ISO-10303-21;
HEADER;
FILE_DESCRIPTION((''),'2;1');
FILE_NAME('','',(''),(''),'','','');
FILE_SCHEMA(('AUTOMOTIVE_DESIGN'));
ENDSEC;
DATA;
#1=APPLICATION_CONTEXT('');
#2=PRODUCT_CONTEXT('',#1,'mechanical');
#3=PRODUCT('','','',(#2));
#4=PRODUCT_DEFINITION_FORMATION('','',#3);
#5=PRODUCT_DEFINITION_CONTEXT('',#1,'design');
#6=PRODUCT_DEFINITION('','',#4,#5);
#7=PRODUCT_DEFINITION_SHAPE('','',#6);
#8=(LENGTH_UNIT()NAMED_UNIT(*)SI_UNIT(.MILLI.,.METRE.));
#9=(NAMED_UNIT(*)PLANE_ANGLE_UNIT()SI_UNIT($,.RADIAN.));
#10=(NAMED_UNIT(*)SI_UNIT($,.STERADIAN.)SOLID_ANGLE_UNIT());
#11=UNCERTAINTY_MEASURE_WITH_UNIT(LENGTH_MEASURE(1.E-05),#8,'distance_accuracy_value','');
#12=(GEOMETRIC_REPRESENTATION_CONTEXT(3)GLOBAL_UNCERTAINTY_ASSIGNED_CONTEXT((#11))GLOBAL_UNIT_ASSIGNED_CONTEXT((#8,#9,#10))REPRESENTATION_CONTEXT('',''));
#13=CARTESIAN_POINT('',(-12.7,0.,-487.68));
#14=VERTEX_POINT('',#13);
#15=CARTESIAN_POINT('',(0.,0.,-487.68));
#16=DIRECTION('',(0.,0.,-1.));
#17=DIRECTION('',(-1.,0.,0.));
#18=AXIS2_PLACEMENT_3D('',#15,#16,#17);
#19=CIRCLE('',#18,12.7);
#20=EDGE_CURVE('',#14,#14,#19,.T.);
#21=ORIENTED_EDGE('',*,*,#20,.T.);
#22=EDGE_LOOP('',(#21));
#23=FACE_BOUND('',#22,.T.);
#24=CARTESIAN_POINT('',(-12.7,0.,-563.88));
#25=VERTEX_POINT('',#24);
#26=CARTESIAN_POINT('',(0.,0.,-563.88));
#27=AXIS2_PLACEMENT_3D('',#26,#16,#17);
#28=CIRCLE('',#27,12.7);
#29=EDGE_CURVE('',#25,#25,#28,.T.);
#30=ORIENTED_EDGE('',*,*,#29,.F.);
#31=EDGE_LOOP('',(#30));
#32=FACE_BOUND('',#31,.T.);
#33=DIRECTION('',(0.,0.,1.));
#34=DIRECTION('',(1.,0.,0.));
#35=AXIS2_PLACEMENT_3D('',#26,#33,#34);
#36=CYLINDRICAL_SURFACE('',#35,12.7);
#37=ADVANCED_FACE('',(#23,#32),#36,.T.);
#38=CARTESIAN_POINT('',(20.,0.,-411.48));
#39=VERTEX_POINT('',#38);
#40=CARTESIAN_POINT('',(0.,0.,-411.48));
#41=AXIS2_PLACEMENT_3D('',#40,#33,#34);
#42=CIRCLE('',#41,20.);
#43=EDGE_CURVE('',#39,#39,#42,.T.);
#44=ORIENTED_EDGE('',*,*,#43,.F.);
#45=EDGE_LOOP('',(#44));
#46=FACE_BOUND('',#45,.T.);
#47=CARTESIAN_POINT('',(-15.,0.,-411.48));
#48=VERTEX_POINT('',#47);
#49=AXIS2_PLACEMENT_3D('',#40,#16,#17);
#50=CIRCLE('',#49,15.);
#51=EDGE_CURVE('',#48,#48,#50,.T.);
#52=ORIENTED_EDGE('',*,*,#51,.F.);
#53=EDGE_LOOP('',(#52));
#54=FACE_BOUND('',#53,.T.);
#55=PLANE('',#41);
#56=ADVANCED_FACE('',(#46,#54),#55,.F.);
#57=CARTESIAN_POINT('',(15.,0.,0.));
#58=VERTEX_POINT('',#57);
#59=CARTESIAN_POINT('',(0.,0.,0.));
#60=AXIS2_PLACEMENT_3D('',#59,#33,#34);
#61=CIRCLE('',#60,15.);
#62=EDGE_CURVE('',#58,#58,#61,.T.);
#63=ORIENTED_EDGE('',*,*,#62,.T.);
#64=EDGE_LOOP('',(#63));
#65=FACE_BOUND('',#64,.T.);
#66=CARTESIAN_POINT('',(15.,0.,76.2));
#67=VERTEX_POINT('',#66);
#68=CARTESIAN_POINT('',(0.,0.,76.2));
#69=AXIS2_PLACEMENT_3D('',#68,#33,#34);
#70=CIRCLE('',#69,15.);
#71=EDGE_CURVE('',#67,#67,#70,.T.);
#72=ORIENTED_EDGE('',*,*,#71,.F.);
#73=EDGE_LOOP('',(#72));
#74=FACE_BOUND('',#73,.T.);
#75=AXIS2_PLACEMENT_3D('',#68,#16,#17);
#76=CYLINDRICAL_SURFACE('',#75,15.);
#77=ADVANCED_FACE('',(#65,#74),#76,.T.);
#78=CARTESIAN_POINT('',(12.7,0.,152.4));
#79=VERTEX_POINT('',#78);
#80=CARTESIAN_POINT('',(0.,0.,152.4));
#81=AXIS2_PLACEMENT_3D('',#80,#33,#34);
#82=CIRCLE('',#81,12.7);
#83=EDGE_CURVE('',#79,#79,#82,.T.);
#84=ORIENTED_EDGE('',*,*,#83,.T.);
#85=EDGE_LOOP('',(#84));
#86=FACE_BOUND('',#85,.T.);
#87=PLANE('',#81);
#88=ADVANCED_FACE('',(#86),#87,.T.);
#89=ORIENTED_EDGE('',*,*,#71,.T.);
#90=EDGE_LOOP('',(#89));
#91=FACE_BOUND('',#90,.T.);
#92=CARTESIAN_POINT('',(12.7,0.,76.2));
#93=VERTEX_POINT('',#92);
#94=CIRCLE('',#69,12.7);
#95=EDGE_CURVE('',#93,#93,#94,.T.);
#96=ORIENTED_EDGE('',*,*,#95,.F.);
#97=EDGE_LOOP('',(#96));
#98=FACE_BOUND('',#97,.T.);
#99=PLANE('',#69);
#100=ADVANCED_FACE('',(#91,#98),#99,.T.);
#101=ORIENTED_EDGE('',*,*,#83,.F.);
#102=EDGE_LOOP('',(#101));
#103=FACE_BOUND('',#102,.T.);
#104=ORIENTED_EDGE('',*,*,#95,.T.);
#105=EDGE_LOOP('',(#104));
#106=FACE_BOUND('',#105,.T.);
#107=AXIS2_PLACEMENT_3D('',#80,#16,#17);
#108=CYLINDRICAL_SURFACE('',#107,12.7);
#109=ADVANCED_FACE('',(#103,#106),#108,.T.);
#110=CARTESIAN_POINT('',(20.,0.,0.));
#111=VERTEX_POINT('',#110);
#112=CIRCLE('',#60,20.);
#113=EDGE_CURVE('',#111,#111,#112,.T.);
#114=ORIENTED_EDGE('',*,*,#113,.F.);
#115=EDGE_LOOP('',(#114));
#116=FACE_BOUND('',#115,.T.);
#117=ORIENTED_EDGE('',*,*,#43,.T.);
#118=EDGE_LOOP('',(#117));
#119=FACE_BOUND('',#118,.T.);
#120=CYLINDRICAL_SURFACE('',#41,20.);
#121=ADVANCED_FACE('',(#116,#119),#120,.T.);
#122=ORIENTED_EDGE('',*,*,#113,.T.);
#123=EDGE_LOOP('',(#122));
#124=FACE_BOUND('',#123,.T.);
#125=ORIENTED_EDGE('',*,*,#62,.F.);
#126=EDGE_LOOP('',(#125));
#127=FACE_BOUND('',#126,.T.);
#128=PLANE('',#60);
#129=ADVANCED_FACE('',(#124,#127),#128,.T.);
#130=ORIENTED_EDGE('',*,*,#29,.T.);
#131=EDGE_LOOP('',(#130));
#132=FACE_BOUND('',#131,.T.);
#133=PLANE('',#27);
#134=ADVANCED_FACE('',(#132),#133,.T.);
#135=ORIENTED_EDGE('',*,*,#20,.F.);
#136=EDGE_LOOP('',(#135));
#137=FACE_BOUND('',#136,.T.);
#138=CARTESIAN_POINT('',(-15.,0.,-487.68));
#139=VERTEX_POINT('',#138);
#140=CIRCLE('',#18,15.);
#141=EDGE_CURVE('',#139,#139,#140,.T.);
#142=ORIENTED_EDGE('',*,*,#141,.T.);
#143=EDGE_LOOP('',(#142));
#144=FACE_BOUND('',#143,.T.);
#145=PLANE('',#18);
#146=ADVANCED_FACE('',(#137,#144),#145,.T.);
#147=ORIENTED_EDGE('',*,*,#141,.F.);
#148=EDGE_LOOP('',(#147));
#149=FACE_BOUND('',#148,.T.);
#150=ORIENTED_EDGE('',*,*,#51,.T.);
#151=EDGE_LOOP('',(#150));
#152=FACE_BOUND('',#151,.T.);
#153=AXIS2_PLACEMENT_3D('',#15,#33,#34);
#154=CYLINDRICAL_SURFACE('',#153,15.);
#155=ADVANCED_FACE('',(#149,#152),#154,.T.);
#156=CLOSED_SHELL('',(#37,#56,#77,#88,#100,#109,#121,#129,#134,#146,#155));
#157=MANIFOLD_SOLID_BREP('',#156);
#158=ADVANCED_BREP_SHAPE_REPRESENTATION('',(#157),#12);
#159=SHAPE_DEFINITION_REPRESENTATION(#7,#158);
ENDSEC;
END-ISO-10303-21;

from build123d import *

# Parameters (mm, degrees)
SKETCH1_R           = 20
BOSS_EXTRUDE1_DEPTH = 411.48
SKETCH2_R           = 15
BOSS_EXTRUDE2_DEPTH = 76.2
SKETCH3_R           = 15
BOSS_EXTRUDE3_DEPTH = 76.2
SKETCH4_R           = 12.7
BOSS_EXTRUDE4_DEPTH = 76.2
SKETCH5_R           = 12.7
BOSS_EXTRUDE5_DEPTH = 76.2


with BuildPart() as part:
    # Sketch1 → Boss-Extrude1 (new body)
    with BuildSketch(Plane.XY):
        Circle(SKETCH1_R)
    extrude(amount=-BOSS_EXTRUDE1_DEPTH)

    # Sketch2 → Boss-Extrude2 (add)
    with BuildSketch(Plane.XY):
        Circle(SKETCH2_R)
    extrude(amount=BOSS_EXTRUDE2_DEPTH)

    # Sketch3 → Boss-Extrude3 (add)
    with BuildSketch(Plane(origin=(0, 0, -411.48), x_dir=(-1, 0, 0), z_dir=(0, 0, -1))):
        Circle(SKETCH3_R)
    extrude(amount=BOSS_EXTRUDE3_DEPTH)

    # Sketch4 → Boss-Extrude4 (add)
    with BuildSketch(Plane.XY.offset(76.2)):
        Circle(SKETCH4_R)
    extrude(amount=BOSS_EXTRUDE4_DEPTH)

    # Sketch5 → Boss-Extrude5 (add)
    with BuildSketch(Plane(origin=(0, 0, -487.68), x_dir=(-1, 0, 0), z_dir=(0, 0, -1))):
        Circle(SKETCH5_R)
    extrude(amount=BOSS_EXTRUDE5_DEPTH)


solid = part.part
